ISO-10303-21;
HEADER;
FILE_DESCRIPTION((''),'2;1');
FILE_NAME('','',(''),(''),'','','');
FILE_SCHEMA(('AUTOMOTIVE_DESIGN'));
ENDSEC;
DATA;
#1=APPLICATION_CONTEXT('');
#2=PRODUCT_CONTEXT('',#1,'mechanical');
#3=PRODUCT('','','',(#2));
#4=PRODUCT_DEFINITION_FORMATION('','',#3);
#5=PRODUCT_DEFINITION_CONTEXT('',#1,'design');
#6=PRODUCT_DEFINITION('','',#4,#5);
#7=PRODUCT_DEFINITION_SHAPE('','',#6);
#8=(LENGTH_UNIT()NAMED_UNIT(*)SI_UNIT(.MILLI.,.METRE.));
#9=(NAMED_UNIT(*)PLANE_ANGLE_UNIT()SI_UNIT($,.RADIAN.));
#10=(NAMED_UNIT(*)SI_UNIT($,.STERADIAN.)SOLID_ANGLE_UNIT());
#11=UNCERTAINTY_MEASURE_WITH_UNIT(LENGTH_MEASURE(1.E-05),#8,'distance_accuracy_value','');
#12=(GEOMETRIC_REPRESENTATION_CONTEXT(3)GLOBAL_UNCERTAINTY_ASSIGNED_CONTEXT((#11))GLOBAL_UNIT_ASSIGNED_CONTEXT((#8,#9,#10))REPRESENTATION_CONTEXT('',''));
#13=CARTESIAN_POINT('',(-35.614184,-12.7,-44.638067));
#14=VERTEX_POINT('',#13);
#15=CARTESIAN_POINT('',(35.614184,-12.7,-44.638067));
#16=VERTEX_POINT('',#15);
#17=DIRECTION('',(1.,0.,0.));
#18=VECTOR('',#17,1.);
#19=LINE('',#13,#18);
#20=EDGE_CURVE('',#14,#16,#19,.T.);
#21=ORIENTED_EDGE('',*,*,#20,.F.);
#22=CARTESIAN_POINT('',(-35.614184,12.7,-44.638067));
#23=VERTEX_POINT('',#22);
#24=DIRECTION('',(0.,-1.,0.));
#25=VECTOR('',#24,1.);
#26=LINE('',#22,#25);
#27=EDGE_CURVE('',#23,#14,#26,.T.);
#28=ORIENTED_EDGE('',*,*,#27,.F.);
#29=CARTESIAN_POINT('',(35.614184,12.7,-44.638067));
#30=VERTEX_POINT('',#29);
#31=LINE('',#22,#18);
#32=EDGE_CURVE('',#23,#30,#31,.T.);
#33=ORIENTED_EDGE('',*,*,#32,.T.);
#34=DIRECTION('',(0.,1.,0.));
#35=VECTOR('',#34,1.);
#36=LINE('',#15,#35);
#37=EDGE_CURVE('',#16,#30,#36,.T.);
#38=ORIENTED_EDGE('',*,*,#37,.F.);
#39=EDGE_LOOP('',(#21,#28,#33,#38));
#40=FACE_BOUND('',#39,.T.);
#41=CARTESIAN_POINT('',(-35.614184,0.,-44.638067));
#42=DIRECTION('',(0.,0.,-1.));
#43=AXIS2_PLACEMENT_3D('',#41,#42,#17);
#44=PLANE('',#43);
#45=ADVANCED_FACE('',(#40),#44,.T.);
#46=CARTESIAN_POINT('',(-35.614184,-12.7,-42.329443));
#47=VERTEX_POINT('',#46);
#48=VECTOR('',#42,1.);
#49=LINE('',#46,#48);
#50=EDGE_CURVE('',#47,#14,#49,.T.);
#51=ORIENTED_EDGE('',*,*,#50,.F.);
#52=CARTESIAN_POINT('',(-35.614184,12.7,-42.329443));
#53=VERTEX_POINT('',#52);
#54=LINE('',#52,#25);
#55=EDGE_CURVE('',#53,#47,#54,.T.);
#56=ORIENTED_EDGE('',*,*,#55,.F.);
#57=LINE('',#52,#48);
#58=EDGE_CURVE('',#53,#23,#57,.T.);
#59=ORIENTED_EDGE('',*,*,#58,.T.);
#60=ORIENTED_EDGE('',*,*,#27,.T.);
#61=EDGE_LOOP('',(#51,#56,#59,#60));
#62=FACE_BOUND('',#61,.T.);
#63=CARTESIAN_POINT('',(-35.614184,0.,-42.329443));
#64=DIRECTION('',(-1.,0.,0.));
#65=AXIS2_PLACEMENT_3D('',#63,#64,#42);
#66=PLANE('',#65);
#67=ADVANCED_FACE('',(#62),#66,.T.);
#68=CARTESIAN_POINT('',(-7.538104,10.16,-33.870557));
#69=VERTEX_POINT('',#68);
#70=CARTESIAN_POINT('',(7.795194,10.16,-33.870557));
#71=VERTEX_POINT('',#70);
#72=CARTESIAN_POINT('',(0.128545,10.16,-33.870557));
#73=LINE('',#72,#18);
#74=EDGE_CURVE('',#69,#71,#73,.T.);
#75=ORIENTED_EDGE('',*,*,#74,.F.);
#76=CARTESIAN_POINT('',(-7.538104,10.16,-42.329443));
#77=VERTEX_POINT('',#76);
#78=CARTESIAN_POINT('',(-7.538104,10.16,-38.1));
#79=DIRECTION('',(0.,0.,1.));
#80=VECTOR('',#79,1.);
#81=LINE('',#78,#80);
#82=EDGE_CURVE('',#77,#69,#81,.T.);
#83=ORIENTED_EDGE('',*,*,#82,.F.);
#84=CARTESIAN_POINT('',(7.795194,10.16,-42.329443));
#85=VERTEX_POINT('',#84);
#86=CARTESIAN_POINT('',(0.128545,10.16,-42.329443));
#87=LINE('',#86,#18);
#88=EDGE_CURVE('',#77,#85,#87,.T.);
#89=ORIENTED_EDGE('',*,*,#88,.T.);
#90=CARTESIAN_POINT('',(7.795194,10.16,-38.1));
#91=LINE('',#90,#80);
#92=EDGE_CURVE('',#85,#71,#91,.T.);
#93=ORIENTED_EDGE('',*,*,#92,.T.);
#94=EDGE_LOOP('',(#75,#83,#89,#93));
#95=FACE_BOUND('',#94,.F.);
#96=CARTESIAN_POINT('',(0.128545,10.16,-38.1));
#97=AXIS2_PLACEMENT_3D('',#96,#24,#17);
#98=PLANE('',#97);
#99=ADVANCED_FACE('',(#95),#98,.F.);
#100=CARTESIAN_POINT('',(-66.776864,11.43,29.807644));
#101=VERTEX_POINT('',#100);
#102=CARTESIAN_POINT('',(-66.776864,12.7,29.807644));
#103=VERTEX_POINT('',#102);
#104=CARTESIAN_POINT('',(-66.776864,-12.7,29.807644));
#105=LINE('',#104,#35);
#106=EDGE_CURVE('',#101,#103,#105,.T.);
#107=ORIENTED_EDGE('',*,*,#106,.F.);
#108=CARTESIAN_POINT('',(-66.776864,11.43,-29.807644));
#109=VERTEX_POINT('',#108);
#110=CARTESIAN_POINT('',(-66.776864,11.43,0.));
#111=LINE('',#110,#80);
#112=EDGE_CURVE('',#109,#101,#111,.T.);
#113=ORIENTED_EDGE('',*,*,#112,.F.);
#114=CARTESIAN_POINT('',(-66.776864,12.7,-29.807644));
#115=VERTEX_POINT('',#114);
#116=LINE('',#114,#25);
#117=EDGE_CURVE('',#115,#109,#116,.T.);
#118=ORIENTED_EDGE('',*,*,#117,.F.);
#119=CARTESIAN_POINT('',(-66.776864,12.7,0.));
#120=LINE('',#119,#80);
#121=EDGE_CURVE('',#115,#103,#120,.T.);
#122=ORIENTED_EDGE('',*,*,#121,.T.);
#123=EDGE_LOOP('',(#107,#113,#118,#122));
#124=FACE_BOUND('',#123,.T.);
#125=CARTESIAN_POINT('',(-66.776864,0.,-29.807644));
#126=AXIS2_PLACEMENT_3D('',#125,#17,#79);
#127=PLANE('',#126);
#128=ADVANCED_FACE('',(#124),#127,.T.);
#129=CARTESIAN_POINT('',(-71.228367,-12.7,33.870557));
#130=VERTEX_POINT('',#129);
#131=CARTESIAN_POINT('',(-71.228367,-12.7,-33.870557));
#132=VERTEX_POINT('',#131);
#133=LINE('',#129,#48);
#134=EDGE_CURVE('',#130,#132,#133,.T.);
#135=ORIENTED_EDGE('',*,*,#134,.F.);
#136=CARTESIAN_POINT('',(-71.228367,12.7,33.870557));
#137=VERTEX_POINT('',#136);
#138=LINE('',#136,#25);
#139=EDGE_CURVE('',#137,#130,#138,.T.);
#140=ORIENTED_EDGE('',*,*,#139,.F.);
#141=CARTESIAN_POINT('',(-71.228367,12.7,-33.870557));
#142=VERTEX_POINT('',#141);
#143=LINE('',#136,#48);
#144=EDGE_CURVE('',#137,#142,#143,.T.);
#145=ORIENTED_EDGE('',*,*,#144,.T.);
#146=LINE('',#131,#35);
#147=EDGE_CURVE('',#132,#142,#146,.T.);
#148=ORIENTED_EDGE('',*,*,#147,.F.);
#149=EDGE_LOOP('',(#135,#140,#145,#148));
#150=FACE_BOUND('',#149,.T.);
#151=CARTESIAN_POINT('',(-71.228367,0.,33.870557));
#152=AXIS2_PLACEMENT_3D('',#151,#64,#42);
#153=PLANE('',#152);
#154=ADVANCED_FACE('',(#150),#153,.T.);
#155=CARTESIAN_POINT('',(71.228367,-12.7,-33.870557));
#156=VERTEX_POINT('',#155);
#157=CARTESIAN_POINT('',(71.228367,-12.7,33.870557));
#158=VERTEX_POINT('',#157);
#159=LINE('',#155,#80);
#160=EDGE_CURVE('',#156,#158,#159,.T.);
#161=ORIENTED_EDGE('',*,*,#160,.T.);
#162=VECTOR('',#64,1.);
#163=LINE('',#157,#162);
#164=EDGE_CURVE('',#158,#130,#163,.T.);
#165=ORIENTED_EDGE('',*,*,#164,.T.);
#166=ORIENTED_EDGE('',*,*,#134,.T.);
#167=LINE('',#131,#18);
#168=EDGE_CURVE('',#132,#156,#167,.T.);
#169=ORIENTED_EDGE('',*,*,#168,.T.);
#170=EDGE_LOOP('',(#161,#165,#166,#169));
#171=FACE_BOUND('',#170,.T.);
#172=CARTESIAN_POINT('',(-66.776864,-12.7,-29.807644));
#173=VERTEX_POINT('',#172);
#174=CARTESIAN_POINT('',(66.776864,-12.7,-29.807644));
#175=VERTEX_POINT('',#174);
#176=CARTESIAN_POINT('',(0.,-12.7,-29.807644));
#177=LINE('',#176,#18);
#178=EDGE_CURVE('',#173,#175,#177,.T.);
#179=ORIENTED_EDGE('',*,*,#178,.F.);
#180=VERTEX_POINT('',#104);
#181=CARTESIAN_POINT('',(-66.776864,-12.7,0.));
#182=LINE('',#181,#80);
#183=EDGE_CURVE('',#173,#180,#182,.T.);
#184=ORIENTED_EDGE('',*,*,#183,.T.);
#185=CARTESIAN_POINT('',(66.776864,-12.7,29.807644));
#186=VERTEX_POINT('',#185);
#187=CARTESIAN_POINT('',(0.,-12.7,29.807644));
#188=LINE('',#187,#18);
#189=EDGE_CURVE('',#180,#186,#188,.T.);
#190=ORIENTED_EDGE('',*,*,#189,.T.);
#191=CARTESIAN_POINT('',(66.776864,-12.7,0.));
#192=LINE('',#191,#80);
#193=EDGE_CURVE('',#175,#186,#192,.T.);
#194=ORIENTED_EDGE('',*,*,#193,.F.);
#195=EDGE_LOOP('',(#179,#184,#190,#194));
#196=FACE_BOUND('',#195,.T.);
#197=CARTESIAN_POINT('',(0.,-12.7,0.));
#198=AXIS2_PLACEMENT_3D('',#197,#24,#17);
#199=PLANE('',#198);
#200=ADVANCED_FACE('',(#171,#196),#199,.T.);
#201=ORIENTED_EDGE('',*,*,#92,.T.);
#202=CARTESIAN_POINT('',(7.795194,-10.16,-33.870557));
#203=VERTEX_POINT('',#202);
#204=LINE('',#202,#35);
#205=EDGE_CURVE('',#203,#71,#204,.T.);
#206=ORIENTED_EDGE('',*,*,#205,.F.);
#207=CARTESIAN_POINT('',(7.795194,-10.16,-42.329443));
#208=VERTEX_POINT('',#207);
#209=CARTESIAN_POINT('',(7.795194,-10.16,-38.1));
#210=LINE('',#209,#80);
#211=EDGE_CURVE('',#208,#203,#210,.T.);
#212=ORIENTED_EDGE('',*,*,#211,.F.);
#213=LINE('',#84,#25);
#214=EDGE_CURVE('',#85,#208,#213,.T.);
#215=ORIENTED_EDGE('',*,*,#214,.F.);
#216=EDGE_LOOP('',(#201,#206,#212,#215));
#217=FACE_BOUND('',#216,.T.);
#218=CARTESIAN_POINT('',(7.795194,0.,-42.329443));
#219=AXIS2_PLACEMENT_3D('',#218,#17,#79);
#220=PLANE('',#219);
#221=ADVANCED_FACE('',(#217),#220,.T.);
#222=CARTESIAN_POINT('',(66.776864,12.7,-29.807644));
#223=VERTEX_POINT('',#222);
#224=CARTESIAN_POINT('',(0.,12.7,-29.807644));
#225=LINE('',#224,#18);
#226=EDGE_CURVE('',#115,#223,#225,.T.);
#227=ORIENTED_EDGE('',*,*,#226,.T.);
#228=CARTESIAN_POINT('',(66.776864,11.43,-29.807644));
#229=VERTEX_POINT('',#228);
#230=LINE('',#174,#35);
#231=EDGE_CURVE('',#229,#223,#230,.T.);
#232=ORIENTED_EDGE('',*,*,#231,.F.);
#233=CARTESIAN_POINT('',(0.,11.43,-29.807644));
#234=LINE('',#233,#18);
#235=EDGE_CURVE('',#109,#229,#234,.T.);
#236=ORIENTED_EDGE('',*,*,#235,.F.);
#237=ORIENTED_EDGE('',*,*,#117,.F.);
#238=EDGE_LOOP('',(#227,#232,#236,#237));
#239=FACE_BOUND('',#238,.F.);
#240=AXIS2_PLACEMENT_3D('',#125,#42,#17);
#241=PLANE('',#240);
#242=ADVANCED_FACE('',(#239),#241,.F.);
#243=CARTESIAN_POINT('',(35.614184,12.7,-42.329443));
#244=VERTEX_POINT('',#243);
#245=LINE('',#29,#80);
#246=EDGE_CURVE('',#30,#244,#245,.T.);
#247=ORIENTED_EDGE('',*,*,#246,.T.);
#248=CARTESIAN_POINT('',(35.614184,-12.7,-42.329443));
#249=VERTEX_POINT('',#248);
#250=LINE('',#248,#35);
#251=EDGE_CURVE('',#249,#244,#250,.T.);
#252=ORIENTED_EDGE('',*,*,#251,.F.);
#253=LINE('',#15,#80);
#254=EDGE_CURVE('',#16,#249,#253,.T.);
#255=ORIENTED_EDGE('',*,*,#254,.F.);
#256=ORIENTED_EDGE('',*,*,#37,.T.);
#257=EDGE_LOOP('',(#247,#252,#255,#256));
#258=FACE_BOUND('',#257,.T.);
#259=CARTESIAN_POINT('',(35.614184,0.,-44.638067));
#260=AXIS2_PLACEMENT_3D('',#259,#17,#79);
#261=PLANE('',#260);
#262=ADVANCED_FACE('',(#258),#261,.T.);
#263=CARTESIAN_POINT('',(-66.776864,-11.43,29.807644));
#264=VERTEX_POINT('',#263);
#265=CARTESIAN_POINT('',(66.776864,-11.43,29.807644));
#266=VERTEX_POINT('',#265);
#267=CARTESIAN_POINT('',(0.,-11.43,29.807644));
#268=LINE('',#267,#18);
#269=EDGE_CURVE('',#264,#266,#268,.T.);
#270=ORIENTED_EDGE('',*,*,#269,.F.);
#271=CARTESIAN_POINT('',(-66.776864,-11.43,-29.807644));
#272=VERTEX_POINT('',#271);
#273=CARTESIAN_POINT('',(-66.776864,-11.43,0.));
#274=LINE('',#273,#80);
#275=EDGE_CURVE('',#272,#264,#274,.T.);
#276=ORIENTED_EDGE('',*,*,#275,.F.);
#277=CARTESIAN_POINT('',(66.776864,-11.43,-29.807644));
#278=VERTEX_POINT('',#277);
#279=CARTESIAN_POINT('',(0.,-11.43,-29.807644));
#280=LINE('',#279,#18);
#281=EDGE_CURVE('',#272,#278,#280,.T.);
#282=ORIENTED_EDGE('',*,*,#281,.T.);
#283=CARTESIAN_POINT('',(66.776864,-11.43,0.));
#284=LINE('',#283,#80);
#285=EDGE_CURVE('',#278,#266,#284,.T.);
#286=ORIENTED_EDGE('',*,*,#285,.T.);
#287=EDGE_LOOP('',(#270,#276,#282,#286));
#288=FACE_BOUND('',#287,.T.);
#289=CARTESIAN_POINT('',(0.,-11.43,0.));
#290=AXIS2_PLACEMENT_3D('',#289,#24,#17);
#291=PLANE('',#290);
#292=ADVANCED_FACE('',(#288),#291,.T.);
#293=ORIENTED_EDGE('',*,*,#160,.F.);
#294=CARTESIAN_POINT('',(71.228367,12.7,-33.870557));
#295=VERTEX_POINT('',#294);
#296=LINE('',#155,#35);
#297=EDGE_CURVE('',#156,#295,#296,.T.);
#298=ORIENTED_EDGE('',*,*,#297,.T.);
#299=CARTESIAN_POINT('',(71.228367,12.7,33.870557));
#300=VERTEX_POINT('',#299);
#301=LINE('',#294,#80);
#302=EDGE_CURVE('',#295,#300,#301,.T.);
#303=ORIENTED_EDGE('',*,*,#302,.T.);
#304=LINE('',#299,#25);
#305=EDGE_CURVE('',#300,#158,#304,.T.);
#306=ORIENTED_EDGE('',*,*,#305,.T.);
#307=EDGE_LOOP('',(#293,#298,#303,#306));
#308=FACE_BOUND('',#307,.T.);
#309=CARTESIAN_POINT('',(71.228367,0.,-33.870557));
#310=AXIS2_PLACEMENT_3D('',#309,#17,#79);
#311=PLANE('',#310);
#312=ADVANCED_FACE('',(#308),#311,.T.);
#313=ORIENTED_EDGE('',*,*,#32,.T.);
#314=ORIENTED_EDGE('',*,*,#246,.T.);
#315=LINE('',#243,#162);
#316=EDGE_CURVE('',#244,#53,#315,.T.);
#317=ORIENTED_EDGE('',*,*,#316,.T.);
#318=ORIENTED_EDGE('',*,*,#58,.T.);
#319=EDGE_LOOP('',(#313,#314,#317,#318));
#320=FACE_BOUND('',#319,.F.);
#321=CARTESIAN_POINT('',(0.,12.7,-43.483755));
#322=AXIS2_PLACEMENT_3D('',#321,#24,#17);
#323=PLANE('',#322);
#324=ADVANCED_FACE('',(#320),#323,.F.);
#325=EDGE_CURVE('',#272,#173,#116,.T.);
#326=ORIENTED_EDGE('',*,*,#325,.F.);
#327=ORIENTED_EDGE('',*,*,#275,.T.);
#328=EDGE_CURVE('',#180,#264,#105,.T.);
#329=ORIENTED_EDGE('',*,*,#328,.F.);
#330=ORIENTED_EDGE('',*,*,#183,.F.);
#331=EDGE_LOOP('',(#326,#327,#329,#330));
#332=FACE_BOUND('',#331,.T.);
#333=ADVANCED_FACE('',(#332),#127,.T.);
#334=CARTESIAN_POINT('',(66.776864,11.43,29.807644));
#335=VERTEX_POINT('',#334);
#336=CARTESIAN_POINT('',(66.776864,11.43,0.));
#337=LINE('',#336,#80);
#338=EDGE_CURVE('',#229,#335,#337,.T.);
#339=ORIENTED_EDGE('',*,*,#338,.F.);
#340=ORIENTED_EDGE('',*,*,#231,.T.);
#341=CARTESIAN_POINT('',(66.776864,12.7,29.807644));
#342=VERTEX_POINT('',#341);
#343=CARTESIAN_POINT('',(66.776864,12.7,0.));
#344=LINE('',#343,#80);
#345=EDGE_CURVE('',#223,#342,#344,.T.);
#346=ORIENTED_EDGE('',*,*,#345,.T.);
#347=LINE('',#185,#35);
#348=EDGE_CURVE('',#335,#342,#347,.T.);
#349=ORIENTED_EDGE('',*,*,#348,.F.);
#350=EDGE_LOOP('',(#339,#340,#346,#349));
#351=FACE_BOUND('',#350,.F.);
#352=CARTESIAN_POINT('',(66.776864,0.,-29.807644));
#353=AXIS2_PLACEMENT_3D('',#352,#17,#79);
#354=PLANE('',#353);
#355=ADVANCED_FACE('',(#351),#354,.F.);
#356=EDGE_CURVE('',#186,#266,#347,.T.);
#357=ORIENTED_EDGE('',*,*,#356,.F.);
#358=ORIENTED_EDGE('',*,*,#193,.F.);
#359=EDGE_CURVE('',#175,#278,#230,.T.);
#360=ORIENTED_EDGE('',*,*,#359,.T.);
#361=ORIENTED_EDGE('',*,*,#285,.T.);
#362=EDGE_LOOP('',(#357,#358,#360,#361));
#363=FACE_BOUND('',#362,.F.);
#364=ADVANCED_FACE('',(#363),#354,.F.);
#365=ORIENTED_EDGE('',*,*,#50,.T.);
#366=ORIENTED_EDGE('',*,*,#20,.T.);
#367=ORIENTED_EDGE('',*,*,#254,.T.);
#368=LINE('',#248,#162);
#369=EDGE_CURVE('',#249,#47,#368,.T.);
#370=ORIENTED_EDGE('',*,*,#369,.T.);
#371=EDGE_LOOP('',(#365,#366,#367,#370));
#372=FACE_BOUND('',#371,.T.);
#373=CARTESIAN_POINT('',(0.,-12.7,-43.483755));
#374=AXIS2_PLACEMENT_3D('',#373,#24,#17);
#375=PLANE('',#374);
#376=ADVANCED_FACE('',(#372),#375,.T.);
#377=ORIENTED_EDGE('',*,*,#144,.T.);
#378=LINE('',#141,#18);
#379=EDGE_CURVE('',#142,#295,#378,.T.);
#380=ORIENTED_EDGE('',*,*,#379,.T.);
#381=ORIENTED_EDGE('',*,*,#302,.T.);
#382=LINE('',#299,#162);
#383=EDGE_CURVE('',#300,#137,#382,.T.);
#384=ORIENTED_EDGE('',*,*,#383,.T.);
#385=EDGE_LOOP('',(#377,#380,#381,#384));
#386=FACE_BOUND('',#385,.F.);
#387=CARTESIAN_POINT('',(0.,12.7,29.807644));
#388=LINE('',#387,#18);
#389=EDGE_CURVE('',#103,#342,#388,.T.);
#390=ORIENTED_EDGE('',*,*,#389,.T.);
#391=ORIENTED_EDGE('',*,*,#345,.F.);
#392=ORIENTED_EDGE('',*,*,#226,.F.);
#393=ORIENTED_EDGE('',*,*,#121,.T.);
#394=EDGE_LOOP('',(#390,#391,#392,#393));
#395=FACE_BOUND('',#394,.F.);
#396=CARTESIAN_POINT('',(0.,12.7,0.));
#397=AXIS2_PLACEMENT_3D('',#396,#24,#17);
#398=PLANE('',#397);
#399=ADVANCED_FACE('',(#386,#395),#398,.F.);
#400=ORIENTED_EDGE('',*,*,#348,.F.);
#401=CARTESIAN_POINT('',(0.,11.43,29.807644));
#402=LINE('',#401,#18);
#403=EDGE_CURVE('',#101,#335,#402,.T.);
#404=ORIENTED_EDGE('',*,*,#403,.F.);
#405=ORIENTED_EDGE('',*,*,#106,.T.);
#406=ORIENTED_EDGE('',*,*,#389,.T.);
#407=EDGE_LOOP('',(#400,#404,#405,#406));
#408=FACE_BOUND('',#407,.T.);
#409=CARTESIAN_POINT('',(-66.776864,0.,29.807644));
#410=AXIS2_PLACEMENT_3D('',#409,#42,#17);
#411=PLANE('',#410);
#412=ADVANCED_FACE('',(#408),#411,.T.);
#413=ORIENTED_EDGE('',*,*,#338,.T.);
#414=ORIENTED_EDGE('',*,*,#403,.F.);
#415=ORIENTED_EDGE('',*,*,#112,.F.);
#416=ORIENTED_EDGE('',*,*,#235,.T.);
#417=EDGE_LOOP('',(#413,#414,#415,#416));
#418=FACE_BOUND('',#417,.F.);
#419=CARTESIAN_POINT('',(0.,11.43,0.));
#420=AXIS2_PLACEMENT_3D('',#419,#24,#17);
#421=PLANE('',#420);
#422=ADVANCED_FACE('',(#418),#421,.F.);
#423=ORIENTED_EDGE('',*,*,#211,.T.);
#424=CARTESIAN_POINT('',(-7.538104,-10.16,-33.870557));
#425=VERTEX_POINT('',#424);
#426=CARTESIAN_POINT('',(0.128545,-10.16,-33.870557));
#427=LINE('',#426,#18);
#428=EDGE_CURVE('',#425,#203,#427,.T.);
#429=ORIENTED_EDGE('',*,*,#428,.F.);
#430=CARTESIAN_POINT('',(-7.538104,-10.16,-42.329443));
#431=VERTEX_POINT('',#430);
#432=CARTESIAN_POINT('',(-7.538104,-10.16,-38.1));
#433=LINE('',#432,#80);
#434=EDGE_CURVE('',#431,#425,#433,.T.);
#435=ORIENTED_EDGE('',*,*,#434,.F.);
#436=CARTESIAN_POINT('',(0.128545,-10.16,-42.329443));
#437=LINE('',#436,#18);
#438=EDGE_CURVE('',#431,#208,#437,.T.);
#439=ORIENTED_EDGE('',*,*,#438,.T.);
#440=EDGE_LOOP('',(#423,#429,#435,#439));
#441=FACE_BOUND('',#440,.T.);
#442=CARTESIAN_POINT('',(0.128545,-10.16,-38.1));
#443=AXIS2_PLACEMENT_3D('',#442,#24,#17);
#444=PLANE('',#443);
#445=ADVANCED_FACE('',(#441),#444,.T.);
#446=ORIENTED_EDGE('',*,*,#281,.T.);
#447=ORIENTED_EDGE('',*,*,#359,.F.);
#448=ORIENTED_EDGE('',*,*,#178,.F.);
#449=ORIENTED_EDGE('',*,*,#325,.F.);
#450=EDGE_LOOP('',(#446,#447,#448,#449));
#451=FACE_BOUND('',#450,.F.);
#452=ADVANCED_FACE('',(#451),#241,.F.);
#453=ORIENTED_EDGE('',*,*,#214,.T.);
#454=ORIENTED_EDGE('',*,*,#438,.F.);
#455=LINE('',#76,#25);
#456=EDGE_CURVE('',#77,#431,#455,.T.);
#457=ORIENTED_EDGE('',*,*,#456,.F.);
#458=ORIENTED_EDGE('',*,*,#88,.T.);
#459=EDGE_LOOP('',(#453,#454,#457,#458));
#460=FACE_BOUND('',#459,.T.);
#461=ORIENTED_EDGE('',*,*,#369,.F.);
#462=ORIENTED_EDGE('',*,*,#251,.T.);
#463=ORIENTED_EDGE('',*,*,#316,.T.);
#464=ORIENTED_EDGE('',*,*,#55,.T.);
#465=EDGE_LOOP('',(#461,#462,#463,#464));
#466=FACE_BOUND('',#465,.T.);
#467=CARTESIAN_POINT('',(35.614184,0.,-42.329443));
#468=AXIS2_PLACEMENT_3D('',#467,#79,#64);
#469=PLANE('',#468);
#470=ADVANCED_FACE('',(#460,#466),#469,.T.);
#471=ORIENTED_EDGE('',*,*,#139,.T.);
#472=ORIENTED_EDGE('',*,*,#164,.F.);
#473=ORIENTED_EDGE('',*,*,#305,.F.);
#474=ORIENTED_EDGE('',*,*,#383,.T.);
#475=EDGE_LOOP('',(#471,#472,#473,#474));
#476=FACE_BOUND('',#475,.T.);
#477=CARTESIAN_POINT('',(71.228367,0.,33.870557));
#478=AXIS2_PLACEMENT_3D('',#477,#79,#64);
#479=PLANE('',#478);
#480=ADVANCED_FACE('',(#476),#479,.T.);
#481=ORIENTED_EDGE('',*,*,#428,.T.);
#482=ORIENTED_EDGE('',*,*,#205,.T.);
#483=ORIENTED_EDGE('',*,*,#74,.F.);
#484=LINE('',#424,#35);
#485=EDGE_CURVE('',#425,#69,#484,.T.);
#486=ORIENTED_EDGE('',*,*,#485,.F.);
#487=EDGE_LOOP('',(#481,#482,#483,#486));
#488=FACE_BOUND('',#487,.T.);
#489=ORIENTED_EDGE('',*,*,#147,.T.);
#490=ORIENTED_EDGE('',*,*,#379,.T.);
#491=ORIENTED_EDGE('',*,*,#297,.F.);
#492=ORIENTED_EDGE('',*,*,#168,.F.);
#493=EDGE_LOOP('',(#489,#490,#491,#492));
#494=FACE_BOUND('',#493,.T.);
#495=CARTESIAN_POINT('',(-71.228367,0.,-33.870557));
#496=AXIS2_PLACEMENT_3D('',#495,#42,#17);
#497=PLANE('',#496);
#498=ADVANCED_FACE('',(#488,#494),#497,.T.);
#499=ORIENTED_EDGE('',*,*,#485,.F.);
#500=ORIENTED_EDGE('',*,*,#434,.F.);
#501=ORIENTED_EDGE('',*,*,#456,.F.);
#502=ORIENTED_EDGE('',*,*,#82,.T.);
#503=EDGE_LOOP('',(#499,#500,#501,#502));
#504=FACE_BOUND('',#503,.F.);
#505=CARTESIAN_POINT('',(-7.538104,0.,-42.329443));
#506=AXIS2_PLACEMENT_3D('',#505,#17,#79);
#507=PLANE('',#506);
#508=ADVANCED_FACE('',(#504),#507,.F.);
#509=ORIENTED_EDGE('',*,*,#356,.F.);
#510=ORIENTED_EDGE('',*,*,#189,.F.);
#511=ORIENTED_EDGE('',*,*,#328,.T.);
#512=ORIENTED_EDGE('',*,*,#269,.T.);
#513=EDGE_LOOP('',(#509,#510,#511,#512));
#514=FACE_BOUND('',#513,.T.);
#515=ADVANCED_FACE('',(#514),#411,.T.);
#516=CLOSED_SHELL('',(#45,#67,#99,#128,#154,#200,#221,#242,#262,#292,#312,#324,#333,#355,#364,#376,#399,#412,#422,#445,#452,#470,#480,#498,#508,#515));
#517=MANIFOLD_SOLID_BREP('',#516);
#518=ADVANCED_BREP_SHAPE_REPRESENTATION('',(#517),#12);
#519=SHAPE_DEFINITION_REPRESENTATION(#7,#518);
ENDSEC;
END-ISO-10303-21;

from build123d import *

# Parameters (mm, degrees)
F0_W     = 133.553728
F0_H     = 59.615288
F1_DEPTH = 12.7
F2_DEPTH = 11.43
F0_W_2   = 15.333298
F0_H_2   = 8.458886
F3_DEPTH = 10.16
F4_DEPTH = 12.7


with BuildPart() as f1:
    # F0 (on Front) → F1 (new body, symmetric)
    with BuildSketch(Plane.XZ):
        Polygon((71.228367, -33.870557), (71.228367, 33.870557), (-71.228367, 33.870557), (-71.228367, -33.870557), (-7.538104, -33.870557), (7.795194, -33.870557), align=None)
        Rectangle(F0_W, F0_H, mode=Mode.SUBTRACT)
    extrude(amount=F1_DEPTH, both=True)

    # F0 (on Front) → F2 (join, symmetric)
    with BuildSketch(Plane.XZ):
        Rectangle(F0_W, F0_H)
    extrude(amount=F2_DEPTH, both=True)

    # F0 (on Front) → F3 (join, symmetric)
    with BuildSketch(Plane.XZ):
        with Locations((0.128545, -38.1)):
            Rectangle(F0_W_2, F0_H_2)
    extrude(amount=F3_DEPTH, both=True)

    # F0 (on Front) → F4 (join, symmetric)
    with BuildSketch(Plane.XZ):
        Polygon((35.614184, -42.329443), (7.795194, -42.329443), (-7.538104, -42.329443), (-35.614184, -42.329443), (-35.614184, -44.638067), (35.614184, -44.638067), align=None)
    extrude(amount=F4_DEPTH, both=True)


solid = f1.part
